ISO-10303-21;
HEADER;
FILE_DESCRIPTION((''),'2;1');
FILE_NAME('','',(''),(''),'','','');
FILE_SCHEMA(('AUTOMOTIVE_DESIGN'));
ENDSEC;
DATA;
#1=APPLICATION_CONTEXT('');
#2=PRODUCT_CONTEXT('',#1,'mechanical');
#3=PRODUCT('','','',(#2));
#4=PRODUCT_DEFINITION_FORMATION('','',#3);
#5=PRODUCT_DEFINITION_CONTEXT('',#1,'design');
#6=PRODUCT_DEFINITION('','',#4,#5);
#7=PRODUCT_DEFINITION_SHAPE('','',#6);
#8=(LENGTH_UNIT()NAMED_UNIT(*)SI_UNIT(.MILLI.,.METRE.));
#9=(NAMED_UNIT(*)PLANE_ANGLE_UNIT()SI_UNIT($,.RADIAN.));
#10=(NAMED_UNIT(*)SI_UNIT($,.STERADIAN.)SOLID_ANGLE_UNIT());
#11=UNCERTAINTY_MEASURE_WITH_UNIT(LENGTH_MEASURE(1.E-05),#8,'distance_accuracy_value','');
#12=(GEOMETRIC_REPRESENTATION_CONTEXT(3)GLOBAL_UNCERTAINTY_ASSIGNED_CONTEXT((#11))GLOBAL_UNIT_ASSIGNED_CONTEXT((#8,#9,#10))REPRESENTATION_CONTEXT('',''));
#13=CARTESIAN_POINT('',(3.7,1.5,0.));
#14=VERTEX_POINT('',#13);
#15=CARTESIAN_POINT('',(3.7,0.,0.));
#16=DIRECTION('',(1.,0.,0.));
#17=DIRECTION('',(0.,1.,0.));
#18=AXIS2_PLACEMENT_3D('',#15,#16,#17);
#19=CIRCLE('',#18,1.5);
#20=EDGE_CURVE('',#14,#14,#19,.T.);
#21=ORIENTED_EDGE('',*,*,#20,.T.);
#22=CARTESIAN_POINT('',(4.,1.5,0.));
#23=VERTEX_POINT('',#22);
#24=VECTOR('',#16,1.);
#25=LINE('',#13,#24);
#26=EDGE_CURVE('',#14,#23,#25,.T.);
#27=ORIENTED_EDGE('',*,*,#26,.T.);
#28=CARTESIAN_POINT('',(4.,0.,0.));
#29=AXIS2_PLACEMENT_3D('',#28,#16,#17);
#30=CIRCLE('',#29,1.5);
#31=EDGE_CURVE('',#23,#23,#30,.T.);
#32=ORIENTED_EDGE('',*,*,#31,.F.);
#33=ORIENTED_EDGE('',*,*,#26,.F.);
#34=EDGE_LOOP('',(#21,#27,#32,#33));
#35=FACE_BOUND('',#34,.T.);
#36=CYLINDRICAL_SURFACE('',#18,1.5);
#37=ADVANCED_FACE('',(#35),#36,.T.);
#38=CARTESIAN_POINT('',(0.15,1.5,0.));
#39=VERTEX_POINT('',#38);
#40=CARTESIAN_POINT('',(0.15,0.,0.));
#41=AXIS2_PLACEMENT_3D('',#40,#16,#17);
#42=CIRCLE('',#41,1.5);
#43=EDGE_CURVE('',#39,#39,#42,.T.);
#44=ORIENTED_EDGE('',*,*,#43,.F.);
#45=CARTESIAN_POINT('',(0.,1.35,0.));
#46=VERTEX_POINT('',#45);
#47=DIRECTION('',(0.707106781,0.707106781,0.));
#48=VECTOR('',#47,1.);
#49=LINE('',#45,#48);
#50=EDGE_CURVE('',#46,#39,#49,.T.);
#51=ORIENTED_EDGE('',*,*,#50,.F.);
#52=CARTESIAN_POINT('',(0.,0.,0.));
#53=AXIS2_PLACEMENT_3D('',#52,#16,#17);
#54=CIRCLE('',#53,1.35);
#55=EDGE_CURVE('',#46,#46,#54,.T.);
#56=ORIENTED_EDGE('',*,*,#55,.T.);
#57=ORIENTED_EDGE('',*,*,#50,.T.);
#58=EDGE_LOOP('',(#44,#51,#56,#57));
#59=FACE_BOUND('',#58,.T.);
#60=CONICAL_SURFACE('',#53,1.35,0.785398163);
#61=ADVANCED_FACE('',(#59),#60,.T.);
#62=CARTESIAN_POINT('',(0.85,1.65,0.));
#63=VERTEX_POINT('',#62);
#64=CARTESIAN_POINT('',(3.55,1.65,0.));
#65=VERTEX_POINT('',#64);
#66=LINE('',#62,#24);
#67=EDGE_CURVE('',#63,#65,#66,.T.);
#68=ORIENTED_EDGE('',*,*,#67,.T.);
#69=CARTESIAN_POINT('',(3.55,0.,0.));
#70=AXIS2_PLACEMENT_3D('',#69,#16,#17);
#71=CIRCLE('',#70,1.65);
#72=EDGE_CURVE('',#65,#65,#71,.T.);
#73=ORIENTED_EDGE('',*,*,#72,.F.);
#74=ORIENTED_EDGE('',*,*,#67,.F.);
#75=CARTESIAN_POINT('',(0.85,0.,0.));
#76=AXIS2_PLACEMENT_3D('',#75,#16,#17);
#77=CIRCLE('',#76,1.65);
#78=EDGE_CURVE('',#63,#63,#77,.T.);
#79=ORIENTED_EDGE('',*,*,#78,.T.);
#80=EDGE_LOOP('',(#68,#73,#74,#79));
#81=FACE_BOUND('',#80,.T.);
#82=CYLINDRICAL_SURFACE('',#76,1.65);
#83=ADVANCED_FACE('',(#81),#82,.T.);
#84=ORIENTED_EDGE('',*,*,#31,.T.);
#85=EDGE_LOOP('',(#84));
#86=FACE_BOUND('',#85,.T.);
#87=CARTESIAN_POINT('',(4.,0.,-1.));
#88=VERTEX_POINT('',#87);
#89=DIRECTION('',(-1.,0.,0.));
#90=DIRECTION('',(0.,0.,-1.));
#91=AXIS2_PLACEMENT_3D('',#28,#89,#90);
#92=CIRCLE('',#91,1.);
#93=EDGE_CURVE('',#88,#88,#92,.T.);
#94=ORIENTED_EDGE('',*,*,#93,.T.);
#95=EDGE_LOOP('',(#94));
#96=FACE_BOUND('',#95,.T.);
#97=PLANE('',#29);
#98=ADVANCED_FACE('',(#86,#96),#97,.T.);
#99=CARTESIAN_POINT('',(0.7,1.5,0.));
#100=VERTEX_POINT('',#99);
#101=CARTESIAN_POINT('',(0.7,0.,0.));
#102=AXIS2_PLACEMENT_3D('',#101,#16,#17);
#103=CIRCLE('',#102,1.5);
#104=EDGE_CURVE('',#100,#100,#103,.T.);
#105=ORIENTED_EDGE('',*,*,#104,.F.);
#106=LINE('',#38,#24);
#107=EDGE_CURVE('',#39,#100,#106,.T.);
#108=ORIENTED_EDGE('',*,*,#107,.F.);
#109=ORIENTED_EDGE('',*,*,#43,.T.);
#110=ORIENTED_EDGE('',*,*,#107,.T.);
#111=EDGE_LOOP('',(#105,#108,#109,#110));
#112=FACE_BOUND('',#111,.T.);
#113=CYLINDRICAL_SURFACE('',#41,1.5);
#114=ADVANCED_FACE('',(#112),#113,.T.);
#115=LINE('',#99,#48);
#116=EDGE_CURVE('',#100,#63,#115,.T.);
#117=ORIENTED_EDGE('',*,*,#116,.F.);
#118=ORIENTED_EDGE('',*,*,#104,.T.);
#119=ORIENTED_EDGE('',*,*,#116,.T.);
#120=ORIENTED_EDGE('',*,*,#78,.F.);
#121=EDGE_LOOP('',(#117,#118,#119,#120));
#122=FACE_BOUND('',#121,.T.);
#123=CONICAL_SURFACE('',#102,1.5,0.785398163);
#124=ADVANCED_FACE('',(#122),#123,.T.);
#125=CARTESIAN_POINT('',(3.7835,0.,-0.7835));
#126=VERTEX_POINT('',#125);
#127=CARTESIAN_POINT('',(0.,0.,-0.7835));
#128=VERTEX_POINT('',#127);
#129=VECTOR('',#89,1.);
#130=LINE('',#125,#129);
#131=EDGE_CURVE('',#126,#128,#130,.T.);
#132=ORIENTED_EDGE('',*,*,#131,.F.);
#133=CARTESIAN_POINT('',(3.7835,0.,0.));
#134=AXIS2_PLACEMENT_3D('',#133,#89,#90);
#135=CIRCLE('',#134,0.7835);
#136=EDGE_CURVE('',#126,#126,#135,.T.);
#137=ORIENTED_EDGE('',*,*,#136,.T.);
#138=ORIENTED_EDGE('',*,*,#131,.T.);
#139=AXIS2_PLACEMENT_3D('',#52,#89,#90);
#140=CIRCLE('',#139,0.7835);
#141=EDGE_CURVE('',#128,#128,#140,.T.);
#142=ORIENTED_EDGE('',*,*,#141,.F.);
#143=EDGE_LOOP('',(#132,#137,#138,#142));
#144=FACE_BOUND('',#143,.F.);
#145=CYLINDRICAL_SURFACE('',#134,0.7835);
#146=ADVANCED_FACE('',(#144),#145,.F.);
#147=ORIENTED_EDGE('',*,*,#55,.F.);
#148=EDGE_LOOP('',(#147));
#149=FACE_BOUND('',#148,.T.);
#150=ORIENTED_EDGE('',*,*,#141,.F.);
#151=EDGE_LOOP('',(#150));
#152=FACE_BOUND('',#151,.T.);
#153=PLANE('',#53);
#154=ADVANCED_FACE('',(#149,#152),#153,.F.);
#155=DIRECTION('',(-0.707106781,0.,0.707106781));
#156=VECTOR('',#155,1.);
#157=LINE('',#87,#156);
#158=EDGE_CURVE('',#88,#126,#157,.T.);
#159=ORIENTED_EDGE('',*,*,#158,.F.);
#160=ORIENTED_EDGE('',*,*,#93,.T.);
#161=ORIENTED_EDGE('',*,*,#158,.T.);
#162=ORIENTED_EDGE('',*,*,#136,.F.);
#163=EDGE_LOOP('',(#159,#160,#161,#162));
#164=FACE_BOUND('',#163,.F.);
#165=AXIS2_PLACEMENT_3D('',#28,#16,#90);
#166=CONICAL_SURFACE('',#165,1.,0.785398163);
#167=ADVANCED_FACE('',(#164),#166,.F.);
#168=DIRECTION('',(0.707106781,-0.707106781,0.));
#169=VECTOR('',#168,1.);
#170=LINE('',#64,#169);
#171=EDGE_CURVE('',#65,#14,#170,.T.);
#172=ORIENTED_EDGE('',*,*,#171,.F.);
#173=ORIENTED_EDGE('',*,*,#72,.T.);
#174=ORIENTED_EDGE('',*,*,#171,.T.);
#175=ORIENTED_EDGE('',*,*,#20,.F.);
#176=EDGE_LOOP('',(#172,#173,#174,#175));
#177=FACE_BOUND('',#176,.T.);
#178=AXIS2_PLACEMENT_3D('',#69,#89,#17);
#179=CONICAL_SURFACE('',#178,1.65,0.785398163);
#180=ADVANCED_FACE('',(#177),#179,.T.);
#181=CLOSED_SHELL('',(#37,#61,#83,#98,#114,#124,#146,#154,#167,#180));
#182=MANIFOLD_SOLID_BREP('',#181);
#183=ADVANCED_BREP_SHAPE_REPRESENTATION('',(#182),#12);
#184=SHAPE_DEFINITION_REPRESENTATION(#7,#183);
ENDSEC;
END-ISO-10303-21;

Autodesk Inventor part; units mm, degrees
ref_plane "YZ Plane" through (0, 0, 0) normal (1, 0, 0) x (0, 1, 0)
ref_plane "XZ Plane" through (0, 0, 0) normal (0, 1, 0) x (-1, 0, 0)
ref_plane "XY Plane" through (0, 0, 0) normal (0, 0, 1) x (1, 0, 0)
sketch "_____2" plane through (0, 0, 0) normal (0, 0, 1) x (1, 0, 0)
  line L0 (4, 0) -> (0, 0)
  line L1 (0, 0) -> (0, 1.35)
  line L2 (0, 1.35) -> (0.15, 1.5)
  line L3 (0.15, 1.5) -> (0.7, 1.5)
  line L4 (0.7, 1.5) -> (0.85, 1.65)
  line L5 (0.85, 1.65) -> (3.55, 1.65)
  line L6 (3.55, 1.65) -> (3.7, 1.5)
  line L7 (3.7, 1.5) -> (4, 1.5)
  line L8 (4, 1.5) -> (4, 0)
  line L9 (4, 0) -> (0, 0)
revolve "Revolution1" add sketch "_____2" angle 360 about axis through (4, 0, 0) along (1, 0, 0)
sketch "Sketch2" plane through (4, 0, 0) normal (1, 0, 0) x (0, 0, -1)
  point P0 (0, 0)
hole "Hole1" at (4, 0, 0) direction (-1, 0, 0) diameter 1.567 depth 4 countersink diameter 2 countersink angle 90 thread size "M2x0.4" class "6H" standard "ISO Metric profile"
properties part number "MBIS2-3-4"
